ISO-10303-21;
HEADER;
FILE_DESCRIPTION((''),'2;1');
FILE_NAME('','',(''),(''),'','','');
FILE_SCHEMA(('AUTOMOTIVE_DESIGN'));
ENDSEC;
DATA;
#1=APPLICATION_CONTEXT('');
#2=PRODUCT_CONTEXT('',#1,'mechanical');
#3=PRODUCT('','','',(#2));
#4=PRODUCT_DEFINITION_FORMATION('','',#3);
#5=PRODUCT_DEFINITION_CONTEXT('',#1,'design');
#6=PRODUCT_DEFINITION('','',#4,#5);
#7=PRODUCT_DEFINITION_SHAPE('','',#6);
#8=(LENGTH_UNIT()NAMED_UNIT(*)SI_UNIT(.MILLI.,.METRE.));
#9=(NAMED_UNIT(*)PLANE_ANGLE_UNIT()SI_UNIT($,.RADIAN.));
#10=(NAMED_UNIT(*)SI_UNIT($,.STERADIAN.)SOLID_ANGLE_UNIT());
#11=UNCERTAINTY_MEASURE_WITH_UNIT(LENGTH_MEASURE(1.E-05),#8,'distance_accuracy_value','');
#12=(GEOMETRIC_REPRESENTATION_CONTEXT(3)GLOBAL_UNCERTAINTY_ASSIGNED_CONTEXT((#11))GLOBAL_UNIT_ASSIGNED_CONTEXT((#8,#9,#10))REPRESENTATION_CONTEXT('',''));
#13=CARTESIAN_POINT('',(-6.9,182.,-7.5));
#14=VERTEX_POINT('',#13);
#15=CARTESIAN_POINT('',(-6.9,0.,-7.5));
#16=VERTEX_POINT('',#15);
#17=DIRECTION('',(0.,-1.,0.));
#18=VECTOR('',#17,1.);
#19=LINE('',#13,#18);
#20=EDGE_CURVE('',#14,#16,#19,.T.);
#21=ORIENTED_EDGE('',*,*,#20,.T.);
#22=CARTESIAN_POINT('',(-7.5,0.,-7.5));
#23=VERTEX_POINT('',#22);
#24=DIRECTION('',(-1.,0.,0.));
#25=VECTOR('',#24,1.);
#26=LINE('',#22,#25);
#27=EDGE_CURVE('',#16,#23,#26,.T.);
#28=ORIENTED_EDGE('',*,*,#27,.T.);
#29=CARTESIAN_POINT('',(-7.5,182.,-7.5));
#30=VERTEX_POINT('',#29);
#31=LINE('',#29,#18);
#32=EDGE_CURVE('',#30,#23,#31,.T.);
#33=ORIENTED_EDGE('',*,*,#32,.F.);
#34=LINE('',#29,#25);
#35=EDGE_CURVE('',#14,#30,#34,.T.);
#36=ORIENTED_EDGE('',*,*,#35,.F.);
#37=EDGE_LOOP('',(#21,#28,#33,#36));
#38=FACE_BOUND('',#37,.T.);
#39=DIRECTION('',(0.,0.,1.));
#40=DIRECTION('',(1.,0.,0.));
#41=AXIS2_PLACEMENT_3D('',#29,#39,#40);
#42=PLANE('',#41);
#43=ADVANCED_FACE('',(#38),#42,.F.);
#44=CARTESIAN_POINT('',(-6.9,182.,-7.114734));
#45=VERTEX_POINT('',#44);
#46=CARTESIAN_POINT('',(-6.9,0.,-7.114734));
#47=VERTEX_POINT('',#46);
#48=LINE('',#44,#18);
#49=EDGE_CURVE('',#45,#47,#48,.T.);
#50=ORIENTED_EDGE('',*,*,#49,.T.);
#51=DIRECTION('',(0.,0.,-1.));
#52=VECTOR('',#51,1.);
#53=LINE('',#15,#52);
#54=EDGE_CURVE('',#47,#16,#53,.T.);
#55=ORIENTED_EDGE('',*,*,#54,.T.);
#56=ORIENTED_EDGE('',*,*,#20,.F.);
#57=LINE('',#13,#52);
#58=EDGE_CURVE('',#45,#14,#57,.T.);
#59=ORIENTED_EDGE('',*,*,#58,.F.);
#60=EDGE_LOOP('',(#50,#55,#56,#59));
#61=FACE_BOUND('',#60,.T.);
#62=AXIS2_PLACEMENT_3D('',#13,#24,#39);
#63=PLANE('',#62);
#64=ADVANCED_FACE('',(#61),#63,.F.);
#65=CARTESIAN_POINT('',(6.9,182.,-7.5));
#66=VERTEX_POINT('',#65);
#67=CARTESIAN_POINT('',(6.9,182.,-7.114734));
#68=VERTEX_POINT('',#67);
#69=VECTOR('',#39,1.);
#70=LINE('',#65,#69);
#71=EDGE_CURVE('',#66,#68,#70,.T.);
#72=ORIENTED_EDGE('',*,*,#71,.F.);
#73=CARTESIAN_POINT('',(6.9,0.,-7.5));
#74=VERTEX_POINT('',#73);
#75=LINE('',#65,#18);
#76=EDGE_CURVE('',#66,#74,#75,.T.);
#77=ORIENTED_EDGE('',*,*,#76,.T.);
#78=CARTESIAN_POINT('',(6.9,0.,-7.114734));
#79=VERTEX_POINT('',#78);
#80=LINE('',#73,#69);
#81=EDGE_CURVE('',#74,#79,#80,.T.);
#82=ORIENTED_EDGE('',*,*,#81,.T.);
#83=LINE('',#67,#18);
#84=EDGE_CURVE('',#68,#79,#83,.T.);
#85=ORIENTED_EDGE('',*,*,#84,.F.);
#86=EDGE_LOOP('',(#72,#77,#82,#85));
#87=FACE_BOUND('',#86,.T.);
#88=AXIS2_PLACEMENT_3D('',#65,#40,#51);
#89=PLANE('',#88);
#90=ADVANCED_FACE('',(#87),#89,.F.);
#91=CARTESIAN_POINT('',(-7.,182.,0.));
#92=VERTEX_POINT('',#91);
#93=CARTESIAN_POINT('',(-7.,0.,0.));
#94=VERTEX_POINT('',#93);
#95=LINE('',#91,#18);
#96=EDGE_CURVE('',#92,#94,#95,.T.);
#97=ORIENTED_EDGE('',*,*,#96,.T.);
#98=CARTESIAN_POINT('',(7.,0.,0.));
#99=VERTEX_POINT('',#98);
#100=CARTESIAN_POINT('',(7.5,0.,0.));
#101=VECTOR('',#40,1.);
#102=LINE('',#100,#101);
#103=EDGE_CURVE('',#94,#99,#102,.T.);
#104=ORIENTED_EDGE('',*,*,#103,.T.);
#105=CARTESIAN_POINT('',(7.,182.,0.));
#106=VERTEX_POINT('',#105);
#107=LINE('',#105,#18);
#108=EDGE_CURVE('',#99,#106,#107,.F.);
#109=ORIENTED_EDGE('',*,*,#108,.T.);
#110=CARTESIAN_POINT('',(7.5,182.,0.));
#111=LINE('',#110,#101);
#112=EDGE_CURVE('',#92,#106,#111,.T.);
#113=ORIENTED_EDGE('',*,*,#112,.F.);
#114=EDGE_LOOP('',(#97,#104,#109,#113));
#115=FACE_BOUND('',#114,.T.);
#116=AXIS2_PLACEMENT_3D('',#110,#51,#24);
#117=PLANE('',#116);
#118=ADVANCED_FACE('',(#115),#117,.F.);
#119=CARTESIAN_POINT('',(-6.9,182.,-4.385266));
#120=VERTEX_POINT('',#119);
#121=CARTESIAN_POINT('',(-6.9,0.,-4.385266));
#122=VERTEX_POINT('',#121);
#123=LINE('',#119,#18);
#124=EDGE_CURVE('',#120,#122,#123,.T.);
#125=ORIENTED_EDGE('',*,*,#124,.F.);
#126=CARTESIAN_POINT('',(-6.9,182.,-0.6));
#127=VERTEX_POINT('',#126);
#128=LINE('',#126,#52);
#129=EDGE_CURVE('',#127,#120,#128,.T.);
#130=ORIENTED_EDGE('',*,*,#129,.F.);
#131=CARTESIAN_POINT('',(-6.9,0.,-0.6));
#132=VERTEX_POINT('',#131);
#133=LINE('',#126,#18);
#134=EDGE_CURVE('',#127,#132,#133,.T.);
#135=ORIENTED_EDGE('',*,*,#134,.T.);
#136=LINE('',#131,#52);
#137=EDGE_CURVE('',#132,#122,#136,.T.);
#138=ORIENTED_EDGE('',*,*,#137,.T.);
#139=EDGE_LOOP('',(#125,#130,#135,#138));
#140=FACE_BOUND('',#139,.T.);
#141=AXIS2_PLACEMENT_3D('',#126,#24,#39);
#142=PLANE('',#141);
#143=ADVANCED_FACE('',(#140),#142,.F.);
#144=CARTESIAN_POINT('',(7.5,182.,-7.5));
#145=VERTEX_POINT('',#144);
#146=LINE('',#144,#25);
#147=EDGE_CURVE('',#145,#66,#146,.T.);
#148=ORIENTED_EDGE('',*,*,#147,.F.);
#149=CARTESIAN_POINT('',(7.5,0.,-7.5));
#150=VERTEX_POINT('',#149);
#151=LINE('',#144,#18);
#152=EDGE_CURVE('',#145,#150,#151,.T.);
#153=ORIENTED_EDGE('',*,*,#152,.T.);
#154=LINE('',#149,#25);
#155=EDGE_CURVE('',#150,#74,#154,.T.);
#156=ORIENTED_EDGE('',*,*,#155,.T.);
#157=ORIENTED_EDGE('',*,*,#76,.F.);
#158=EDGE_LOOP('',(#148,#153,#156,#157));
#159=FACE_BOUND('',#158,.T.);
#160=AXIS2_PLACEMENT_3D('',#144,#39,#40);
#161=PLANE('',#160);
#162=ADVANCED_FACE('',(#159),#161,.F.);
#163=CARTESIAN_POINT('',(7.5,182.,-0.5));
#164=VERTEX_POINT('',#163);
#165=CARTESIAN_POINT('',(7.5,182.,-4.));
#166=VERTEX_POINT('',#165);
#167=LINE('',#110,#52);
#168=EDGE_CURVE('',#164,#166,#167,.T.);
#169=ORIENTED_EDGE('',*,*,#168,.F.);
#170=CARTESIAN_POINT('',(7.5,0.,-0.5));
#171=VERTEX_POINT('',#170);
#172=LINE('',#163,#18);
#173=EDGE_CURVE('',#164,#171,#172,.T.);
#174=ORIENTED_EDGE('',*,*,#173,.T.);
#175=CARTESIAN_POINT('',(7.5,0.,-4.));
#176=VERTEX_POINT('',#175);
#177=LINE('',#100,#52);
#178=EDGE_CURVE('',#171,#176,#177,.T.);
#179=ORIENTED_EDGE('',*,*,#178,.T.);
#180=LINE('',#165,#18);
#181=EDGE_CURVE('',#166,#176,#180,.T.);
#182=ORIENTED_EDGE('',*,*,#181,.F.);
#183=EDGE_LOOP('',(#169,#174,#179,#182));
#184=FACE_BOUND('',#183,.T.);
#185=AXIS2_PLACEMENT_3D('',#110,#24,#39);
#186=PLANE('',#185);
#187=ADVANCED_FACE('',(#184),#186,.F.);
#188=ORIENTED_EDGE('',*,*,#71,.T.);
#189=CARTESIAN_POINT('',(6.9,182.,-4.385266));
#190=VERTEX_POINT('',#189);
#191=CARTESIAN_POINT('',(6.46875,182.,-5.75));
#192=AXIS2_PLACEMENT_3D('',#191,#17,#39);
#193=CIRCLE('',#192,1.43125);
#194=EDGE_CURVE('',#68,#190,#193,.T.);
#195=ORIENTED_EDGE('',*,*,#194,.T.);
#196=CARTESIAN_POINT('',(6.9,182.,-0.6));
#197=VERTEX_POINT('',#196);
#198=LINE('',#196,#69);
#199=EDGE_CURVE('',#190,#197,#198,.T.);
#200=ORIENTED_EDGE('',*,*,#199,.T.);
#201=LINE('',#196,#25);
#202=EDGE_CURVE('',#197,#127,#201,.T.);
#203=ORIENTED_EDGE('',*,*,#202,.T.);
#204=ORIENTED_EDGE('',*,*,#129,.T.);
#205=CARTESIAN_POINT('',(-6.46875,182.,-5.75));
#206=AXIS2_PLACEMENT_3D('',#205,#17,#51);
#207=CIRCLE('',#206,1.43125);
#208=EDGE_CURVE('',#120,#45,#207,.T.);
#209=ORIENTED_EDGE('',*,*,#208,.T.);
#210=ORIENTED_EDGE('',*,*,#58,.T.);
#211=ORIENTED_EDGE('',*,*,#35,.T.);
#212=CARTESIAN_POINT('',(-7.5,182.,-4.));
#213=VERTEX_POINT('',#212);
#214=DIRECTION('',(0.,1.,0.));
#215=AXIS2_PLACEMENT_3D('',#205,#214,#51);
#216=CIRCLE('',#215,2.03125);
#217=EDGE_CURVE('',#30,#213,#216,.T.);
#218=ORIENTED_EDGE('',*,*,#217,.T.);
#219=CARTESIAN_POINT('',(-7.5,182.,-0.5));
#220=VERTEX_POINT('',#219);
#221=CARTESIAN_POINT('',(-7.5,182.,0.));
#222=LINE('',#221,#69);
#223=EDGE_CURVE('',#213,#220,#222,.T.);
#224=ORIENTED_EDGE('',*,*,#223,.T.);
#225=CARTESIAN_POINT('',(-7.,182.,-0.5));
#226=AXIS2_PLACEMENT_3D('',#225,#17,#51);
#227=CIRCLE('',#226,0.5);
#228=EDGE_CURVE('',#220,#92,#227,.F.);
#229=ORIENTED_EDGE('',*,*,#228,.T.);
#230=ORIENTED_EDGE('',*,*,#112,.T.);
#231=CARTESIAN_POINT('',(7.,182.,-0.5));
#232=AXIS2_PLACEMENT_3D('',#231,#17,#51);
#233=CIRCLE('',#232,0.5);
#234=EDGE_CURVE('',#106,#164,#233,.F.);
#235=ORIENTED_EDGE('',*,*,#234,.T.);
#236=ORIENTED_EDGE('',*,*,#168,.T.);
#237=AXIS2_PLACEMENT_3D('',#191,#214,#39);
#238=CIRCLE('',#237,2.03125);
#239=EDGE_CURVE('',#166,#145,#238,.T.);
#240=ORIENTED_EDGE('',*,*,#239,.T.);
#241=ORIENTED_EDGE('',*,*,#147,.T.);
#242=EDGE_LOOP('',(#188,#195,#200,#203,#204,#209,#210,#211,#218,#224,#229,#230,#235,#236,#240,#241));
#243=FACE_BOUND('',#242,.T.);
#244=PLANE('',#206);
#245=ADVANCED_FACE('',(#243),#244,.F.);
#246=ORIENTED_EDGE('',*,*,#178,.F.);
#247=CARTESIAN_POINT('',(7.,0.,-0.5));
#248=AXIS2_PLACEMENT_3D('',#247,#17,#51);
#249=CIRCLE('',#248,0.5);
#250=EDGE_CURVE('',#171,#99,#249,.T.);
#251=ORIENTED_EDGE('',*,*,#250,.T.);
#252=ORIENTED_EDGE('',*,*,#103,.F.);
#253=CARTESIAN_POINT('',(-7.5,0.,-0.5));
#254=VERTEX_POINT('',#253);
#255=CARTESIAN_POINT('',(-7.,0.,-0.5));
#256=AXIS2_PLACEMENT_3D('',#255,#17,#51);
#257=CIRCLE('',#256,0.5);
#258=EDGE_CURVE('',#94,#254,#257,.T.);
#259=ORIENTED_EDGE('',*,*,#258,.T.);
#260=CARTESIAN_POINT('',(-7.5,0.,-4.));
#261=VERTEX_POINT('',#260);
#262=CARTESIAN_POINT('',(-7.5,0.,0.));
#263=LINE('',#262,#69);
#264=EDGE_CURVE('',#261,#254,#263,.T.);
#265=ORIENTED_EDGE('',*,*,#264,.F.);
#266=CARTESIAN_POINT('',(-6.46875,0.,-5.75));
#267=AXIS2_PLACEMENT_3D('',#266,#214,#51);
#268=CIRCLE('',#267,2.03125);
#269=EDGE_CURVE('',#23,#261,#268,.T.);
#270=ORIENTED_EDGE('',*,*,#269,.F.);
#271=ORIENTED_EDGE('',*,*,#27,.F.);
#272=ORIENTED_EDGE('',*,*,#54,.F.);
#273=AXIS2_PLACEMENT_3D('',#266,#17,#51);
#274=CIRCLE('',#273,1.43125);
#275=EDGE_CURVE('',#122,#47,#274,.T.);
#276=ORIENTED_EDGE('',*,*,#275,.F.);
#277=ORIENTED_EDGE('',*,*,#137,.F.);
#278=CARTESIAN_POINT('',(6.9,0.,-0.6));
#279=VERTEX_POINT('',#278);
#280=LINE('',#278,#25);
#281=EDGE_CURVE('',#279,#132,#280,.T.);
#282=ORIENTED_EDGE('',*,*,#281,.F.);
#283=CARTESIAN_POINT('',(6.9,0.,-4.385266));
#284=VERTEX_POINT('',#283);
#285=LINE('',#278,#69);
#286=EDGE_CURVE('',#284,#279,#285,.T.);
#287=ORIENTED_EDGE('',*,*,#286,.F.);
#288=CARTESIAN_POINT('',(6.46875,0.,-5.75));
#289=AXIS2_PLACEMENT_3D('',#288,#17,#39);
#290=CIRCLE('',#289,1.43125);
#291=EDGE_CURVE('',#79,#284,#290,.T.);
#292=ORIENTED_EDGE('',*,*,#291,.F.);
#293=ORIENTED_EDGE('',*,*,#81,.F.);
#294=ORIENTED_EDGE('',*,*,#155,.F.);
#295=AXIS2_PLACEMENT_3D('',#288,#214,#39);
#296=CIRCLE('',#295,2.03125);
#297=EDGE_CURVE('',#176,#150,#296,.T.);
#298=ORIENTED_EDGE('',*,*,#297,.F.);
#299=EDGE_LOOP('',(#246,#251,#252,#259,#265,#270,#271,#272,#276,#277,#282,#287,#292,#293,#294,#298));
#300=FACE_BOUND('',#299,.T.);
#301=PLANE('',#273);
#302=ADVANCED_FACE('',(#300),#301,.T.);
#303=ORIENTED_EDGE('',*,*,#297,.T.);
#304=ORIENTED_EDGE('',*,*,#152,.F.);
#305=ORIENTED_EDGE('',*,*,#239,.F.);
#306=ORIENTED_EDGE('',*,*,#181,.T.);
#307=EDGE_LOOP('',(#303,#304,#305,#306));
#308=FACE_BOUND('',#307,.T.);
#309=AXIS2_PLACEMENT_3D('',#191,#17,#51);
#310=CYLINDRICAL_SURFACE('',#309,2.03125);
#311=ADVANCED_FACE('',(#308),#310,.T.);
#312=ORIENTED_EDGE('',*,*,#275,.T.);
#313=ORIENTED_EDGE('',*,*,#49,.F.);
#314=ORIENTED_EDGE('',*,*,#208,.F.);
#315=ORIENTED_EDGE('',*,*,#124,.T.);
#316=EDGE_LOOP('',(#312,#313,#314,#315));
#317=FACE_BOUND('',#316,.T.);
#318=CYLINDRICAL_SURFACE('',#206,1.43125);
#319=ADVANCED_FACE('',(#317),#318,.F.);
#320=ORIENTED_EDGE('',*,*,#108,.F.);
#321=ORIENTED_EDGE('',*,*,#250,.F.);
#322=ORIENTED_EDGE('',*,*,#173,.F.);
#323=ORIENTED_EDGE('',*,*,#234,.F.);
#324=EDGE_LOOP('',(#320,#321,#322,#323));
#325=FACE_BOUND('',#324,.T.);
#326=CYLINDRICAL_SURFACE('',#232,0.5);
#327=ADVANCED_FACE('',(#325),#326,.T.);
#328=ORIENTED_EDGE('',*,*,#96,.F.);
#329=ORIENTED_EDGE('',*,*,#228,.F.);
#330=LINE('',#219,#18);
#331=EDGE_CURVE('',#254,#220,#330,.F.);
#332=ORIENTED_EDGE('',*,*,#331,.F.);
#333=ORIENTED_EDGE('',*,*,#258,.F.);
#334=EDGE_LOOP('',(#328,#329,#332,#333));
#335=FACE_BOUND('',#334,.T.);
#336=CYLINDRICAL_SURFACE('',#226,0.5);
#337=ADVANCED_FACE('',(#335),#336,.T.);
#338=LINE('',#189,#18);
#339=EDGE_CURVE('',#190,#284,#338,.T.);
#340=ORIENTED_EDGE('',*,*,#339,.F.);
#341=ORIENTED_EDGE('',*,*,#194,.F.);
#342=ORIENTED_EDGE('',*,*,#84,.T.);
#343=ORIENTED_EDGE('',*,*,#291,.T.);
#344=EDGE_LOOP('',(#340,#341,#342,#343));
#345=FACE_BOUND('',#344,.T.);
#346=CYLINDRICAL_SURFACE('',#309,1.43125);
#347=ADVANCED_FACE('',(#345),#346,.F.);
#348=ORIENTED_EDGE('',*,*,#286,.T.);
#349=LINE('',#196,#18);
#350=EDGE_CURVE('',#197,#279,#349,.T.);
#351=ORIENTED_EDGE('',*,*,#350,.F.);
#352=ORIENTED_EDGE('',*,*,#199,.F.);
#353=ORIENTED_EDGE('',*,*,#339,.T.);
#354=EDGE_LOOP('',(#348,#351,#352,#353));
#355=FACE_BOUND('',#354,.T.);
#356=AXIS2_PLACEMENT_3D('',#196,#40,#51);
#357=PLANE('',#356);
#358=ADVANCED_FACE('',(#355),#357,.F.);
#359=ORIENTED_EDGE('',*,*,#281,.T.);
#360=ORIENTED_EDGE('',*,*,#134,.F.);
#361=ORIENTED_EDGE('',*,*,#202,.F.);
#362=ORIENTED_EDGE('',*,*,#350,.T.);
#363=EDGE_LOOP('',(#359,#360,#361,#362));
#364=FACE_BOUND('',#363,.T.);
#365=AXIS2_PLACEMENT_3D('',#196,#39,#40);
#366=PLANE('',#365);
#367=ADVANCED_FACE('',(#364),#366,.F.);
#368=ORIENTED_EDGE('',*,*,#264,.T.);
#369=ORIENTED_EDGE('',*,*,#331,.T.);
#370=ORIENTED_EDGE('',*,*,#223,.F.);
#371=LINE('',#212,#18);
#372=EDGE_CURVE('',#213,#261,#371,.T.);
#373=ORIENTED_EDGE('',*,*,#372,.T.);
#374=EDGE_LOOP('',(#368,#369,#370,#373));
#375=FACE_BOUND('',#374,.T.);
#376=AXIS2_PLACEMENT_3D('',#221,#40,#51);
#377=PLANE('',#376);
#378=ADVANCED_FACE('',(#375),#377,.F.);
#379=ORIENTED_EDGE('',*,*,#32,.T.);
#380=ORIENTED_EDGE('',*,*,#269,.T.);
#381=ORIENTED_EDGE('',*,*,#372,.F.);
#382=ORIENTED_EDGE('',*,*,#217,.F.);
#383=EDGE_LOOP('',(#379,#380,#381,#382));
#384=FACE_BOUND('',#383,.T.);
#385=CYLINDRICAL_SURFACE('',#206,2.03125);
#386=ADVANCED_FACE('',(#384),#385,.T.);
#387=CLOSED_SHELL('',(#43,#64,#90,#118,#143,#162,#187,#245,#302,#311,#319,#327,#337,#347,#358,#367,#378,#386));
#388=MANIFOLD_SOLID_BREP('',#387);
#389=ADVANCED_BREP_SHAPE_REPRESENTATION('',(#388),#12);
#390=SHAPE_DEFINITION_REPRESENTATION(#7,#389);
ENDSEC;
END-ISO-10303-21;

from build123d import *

# Parameters (mm, degrees)
EXTRUSION1_DEPTH = 182
CONG_1_R         = 0.5


with BuildPart() as part:
    # Esquisse1 → Extrusion1 (new body)
    with BuildSketch(Plane(origin=(0, 0, 0), x_dir=(1, 0, 0), z_dir=(0, 1, 0))):
        with BuildLine():
            Line((7.5, 0), (-7.5, 0))
            Line((-7.5, 0), (-7.5, 4))
            ThreePointArc((-7.5, 4), (-8.5, 5.75), (-7.5, 7.5))
            Line((-7.5, 7.5), (-6.9, 7.5))
            Line((-6.9, 7.5), (-6.9, 7.114734406))
            ThreePointArc((-6.9, 7.114734406), (-7.9, 5.75), (-6.9, 4.385265594))
            Line((-6.9, 4.385265594), (-6.9, 0.6))
            Line((-6.9, 0.6), (6.9, 0.6))
            Line((6.9, 0.6), (6.9, 4.385265594))
            ThreePointArc((6.9, 4.385265594), (7.9, 5.75), (6.9, 7.114734406))
            Line((6.9, 7.114734406), (6.9, 7.5))
            Line((6.9, 7.5), (7.5, 7.5))
            ThreePointArc((7.5, 7.5), (8.5, 5.75), (7.5, 4))
            Line((7.5, 4), (7.5, 0))
        make_face()
    extrude(amount=EXTRUSION1_DEPTH)

    # Congé1
    cong_1_edges = [part.edges().sort_by_distance(p)[0] for p in [
        (7.5, 91, 0),
        (-7.5, 91, 0),
    ]]
    fillet(cong_1_edges, radius=CONG_1_R)


solid = part.part
